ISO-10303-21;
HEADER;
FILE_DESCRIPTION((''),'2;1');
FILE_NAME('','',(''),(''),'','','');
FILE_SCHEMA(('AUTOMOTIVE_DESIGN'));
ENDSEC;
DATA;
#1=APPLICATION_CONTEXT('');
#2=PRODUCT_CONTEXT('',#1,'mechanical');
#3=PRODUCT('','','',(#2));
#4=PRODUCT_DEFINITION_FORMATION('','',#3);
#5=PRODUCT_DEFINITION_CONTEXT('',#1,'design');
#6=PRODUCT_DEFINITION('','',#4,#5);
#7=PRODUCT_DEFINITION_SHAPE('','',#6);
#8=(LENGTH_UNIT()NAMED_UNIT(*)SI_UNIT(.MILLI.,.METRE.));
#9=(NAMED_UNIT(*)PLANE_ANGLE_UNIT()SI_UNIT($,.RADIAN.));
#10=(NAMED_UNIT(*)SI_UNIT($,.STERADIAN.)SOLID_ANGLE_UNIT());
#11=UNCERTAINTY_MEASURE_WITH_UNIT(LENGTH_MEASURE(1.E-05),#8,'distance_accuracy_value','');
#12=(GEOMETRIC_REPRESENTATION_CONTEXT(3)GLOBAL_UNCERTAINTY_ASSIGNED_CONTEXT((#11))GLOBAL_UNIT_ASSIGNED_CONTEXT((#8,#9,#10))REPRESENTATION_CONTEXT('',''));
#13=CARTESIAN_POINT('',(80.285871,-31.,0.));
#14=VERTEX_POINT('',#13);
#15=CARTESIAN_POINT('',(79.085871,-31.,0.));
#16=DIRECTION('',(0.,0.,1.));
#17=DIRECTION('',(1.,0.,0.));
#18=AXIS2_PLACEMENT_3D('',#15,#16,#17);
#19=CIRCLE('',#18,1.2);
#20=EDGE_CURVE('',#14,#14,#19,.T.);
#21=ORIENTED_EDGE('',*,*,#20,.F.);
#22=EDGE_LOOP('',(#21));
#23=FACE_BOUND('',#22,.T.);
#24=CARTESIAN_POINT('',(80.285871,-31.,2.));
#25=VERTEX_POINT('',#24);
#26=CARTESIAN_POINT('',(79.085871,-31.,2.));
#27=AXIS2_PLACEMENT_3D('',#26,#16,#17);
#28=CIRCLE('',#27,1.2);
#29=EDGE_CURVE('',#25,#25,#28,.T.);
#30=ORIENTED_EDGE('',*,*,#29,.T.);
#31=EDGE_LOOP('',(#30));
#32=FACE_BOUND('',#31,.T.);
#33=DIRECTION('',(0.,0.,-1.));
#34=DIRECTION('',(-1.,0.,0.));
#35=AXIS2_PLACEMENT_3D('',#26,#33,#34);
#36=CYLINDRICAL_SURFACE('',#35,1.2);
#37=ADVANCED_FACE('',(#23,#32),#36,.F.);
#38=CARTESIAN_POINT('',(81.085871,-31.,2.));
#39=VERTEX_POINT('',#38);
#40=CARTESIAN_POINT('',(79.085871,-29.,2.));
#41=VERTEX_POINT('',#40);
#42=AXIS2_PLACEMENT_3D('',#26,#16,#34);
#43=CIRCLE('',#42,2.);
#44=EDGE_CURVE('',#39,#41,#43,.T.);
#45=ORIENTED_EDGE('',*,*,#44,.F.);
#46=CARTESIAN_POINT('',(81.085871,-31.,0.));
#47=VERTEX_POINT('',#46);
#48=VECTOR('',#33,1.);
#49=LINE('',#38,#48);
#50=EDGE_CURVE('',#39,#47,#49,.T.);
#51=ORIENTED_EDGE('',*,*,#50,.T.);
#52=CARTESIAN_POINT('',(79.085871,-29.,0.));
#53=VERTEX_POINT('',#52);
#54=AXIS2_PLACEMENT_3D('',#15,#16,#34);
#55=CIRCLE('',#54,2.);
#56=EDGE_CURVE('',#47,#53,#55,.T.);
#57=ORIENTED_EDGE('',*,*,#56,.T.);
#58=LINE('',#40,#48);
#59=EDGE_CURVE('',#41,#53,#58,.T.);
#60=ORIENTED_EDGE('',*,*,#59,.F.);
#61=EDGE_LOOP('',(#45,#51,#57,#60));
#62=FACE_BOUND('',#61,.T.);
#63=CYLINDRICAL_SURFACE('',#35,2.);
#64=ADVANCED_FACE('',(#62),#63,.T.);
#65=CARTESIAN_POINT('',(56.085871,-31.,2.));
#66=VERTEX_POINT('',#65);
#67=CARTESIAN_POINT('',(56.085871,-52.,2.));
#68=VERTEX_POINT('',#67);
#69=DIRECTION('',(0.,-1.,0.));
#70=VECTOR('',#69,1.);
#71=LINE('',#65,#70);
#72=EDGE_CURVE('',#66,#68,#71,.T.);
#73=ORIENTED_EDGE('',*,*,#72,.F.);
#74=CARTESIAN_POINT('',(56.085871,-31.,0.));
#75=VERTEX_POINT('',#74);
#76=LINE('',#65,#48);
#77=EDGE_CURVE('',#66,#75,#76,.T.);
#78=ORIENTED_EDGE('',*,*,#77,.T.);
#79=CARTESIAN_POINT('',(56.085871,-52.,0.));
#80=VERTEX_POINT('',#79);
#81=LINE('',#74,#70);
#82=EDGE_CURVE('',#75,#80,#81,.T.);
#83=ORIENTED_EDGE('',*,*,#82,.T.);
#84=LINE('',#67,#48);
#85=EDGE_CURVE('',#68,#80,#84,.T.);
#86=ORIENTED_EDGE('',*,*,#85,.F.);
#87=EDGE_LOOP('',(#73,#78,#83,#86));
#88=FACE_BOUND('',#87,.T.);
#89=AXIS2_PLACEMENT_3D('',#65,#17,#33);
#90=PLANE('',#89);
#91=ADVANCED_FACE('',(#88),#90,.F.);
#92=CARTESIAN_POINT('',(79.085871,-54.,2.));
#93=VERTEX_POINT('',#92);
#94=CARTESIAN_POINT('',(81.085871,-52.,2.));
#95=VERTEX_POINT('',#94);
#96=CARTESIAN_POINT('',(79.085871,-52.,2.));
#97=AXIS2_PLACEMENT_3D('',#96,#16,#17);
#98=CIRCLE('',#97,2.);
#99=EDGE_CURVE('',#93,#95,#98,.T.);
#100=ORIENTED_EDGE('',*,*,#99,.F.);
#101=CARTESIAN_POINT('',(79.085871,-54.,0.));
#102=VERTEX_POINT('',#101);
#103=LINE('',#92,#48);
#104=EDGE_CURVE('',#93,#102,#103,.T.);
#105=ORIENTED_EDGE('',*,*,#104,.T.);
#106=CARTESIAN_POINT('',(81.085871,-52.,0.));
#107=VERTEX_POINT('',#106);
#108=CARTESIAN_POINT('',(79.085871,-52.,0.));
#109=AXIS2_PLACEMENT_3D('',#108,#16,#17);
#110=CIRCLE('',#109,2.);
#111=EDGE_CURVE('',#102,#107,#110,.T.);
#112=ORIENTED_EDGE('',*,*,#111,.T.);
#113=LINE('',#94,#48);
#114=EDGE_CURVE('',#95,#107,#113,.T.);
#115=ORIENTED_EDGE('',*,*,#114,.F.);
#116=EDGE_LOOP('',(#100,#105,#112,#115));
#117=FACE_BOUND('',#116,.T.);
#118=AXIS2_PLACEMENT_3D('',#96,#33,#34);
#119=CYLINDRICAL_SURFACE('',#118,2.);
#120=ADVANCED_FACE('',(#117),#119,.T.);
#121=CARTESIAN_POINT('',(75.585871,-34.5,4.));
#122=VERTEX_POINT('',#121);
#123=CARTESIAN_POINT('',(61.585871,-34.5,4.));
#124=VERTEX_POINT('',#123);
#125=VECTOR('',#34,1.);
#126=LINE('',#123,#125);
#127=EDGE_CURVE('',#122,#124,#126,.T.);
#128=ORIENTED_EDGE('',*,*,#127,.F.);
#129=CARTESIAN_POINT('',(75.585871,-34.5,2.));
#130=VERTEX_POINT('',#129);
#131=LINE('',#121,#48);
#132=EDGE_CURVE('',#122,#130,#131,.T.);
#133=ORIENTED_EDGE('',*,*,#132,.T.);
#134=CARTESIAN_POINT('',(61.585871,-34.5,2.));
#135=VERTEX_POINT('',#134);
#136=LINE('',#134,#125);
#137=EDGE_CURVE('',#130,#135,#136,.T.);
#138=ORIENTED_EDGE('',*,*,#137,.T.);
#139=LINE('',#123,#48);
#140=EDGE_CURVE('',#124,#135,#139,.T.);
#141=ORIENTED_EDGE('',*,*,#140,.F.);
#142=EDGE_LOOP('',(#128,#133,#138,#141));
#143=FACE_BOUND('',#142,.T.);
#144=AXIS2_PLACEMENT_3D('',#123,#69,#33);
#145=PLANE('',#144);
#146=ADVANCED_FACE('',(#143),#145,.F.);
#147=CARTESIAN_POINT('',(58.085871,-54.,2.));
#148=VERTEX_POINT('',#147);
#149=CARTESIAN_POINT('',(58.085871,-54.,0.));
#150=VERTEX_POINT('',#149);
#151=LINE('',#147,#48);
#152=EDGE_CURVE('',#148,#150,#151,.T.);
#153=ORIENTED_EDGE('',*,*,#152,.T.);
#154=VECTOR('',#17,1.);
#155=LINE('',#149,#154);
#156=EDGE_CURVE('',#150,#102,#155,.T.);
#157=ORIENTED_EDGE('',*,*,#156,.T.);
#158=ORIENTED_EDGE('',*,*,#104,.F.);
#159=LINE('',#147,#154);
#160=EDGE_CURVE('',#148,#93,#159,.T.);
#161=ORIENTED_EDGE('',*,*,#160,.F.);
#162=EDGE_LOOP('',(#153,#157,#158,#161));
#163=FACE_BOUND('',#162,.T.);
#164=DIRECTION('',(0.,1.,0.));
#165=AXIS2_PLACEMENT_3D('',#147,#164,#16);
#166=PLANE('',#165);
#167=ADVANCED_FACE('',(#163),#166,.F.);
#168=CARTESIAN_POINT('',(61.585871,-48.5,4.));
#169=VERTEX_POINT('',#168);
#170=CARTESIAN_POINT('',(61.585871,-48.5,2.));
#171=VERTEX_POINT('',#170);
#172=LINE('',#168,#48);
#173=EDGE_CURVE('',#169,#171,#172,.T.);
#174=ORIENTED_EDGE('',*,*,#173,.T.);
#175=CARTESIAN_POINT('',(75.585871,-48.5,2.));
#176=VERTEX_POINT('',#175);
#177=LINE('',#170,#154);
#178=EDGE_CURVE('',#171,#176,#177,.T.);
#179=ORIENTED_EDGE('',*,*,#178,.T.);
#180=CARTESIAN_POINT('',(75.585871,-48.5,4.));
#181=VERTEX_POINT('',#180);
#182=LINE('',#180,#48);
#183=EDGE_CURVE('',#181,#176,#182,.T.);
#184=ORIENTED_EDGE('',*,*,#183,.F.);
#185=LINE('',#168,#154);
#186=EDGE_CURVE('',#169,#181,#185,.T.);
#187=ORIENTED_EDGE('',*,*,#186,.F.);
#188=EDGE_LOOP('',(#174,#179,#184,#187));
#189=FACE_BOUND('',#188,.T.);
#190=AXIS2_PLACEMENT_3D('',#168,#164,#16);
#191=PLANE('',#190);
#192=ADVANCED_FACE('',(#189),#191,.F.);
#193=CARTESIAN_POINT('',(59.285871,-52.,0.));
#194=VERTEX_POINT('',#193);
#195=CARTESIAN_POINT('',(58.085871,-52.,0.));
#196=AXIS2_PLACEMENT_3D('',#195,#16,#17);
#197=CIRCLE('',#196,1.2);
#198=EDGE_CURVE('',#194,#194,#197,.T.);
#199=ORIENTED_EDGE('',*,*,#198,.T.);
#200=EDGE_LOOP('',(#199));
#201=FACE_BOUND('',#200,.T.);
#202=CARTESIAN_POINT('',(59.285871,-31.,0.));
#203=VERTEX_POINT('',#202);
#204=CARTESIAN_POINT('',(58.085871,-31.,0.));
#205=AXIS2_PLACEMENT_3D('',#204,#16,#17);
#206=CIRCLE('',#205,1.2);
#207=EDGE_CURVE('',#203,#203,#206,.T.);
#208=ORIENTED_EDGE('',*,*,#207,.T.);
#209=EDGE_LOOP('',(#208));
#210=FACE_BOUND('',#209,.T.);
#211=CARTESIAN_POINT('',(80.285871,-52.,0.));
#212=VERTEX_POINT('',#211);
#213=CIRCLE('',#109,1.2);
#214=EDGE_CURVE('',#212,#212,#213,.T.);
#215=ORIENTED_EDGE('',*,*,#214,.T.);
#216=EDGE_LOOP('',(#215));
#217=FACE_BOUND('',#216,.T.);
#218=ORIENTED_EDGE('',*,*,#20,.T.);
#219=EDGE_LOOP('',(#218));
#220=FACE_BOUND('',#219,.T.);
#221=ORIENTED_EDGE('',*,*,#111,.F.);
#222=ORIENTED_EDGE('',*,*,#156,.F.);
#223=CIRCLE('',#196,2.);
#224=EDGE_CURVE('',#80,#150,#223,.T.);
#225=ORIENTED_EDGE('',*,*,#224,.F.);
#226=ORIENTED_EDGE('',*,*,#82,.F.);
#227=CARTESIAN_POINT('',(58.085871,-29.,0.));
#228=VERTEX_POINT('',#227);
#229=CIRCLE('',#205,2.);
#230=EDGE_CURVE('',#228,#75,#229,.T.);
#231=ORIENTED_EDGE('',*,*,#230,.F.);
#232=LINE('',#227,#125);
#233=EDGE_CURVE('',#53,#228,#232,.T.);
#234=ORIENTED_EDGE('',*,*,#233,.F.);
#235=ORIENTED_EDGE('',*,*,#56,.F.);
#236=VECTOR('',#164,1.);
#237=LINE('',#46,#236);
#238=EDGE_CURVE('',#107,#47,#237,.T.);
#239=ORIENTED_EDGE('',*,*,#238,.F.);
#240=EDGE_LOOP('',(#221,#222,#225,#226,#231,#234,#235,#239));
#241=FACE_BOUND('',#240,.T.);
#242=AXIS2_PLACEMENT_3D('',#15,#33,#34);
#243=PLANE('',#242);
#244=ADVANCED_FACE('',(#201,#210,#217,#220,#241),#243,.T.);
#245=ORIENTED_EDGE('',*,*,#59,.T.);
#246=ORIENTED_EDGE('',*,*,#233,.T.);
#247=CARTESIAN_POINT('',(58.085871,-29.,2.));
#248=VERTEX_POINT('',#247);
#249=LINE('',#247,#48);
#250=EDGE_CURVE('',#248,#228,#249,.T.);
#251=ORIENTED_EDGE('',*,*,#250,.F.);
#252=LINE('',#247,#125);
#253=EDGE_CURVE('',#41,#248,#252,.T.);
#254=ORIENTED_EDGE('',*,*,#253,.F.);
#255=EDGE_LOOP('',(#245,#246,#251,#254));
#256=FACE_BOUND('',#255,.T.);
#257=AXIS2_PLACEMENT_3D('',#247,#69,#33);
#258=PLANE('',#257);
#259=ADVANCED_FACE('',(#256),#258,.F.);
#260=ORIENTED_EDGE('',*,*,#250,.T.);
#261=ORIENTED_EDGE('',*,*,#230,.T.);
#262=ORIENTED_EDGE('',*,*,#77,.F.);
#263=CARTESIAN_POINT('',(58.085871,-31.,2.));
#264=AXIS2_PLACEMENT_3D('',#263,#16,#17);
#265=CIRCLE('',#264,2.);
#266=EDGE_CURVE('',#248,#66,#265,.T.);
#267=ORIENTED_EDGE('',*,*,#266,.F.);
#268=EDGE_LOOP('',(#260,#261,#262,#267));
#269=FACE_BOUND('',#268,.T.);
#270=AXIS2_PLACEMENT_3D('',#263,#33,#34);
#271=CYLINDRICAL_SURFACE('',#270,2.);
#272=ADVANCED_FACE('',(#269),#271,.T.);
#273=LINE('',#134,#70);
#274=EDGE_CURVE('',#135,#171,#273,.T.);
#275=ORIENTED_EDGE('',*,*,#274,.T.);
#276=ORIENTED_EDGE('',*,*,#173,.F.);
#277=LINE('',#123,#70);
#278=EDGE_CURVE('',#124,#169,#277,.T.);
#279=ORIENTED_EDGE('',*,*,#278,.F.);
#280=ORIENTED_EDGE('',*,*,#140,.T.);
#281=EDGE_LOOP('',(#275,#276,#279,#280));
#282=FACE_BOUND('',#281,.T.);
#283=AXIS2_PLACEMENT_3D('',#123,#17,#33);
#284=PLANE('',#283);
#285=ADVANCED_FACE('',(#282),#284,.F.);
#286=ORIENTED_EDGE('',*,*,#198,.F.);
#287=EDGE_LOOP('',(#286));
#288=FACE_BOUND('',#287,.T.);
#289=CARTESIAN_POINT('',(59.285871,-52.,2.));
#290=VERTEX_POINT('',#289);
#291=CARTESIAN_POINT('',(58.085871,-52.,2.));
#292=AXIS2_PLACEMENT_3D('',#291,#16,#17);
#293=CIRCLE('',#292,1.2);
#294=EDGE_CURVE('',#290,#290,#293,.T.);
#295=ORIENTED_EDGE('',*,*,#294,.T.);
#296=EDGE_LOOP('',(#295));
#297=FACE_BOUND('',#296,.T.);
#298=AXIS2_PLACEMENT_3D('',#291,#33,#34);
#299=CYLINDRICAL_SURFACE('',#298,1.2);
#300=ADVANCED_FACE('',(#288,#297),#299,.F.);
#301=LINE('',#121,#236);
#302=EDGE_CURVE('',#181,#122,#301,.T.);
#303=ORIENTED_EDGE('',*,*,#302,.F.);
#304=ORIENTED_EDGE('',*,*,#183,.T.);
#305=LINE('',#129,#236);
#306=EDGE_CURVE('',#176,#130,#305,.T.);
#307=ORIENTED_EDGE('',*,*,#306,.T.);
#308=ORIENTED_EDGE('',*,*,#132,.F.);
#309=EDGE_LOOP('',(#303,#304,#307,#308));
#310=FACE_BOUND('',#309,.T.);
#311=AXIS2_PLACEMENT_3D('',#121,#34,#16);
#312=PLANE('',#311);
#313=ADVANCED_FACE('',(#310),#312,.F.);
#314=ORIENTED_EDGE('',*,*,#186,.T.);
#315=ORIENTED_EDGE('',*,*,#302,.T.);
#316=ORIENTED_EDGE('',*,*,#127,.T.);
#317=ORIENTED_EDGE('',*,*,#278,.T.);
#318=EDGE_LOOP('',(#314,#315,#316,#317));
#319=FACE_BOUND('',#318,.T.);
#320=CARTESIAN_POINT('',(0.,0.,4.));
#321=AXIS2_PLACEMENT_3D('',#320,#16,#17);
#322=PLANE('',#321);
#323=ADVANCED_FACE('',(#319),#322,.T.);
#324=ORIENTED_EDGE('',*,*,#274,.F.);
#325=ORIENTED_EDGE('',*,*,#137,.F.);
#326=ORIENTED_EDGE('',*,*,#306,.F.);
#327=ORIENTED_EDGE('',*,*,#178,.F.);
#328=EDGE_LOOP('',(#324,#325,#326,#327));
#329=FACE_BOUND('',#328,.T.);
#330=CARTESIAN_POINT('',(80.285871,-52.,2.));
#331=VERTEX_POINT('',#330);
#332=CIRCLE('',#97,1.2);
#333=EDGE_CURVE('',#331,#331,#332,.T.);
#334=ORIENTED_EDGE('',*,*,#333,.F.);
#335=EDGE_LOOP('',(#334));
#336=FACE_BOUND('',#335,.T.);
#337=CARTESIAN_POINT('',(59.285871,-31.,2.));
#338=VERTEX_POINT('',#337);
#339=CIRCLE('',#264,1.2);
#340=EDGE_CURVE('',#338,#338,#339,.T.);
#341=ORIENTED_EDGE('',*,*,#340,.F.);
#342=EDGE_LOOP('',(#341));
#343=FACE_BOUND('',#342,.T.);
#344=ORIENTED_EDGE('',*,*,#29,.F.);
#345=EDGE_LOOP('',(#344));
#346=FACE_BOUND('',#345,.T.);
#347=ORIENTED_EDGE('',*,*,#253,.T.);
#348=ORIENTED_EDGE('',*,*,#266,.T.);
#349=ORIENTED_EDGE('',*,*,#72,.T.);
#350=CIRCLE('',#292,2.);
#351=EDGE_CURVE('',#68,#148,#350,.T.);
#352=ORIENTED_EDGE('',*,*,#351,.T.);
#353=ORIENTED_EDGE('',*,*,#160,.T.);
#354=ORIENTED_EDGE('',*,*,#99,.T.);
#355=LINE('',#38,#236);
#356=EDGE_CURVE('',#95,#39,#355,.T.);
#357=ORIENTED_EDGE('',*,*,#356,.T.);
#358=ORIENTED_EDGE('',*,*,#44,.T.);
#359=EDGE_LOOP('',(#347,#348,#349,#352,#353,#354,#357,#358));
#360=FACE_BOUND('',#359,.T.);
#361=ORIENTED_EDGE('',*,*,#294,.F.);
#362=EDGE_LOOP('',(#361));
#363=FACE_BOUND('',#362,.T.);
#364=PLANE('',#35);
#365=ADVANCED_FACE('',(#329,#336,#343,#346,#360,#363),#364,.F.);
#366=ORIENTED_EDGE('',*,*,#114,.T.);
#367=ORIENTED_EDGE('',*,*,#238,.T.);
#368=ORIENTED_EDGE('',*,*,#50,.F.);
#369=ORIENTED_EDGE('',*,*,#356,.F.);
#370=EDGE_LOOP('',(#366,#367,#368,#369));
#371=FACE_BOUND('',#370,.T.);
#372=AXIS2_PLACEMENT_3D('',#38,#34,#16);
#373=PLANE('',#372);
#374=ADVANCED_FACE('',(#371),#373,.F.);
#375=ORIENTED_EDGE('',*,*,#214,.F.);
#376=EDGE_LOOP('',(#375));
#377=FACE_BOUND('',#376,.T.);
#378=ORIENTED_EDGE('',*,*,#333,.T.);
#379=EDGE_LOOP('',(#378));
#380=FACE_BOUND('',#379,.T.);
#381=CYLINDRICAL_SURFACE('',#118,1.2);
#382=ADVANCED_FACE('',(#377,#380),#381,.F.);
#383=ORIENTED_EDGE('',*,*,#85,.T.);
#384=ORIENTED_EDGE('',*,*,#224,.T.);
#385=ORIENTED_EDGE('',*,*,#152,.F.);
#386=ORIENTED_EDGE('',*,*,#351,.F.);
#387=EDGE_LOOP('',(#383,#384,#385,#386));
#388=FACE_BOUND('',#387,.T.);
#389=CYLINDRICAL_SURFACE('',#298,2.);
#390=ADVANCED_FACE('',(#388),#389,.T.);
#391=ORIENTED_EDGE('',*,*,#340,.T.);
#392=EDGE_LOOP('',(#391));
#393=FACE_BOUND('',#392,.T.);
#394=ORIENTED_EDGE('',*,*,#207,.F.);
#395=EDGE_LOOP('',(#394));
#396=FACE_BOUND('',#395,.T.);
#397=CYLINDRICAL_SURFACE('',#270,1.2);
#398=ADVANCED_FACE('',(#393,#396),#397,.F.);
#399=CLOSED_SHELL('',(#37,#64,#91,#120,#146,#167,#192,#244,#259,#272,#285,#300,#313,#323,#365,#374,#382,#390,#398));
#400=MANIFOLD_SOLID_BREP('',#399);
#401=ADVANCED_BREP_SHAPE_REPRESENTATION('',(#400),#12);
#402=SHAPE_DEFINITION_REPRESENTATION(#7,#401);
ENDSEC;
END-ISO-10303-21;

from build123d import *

# Parameters (mm, degrees)
SKETCH1_R           = 1.2
BOSS_EXTRUDE1_DEPTH = 2
SKETCH2_W           = 14
SKETCH2_H           = 14
BOSS_EXTRUDE2_DEPTH = 2


with BuildPart() as part:
    # Sketch1 → Boss-Extrude1 (new body)
    with BuildSketch(Plane.XY):
        with BuildLine():
            Line((58.085871194, -29), (79.085871194, -29))
            ThreePointArc((79.085871194, -29), (80.500084756, -29.585786438), (81.085871194, -31))
            Line((81.085871194, -31), (81.085871194, -52))
            ThreePointArc((81.085871194, -52), (80.500084756, -53.414213562), (79.085871194, -54))
            Line((79.085871194, -54), (58.085871194, -54))
            ThreePointArc((58.085871194, -54), (56.671657631, -53.414213562), (56.085871194, -52))
            Line((56.085871194, -52), (56.085871194, -31))
            ThreePointArc((56.085871194, -31), (56.671657631, -29.585786438), (58.085871194, -29))
        make_face()
        with Locations((58.085871194, -52)):
            Circle(SKETCH1_R, mode=Mode.SUBTRACT)
        with Locations((79.085871194, -52)):
            Circle(SKETCH1_R, mode=Mode.SUBTRACT)
        with Locations((79.085871194, -31)):
            Circle(SKETCH1_R, mode=Mode.SUBTRACT)
        with Locations((58.085871194, -31)):
            Circle(SKETCH1_R, mode=Mode.SUBTRACT)
    extrude(amount=BOSS_EXTRUDE1_DEPTH)

    # Sketch2 → Boss-Extrude2 (add)
    with BuildSketch(Plane.XY.offset(2)):
        with Locations((68.585871194, -41.5)):
            Rectangle(SKETCH2_W, SKETCH2_H)
    extrude(amount=BOSS_EXTRUDE2_DEPTH)


solid = part.part
